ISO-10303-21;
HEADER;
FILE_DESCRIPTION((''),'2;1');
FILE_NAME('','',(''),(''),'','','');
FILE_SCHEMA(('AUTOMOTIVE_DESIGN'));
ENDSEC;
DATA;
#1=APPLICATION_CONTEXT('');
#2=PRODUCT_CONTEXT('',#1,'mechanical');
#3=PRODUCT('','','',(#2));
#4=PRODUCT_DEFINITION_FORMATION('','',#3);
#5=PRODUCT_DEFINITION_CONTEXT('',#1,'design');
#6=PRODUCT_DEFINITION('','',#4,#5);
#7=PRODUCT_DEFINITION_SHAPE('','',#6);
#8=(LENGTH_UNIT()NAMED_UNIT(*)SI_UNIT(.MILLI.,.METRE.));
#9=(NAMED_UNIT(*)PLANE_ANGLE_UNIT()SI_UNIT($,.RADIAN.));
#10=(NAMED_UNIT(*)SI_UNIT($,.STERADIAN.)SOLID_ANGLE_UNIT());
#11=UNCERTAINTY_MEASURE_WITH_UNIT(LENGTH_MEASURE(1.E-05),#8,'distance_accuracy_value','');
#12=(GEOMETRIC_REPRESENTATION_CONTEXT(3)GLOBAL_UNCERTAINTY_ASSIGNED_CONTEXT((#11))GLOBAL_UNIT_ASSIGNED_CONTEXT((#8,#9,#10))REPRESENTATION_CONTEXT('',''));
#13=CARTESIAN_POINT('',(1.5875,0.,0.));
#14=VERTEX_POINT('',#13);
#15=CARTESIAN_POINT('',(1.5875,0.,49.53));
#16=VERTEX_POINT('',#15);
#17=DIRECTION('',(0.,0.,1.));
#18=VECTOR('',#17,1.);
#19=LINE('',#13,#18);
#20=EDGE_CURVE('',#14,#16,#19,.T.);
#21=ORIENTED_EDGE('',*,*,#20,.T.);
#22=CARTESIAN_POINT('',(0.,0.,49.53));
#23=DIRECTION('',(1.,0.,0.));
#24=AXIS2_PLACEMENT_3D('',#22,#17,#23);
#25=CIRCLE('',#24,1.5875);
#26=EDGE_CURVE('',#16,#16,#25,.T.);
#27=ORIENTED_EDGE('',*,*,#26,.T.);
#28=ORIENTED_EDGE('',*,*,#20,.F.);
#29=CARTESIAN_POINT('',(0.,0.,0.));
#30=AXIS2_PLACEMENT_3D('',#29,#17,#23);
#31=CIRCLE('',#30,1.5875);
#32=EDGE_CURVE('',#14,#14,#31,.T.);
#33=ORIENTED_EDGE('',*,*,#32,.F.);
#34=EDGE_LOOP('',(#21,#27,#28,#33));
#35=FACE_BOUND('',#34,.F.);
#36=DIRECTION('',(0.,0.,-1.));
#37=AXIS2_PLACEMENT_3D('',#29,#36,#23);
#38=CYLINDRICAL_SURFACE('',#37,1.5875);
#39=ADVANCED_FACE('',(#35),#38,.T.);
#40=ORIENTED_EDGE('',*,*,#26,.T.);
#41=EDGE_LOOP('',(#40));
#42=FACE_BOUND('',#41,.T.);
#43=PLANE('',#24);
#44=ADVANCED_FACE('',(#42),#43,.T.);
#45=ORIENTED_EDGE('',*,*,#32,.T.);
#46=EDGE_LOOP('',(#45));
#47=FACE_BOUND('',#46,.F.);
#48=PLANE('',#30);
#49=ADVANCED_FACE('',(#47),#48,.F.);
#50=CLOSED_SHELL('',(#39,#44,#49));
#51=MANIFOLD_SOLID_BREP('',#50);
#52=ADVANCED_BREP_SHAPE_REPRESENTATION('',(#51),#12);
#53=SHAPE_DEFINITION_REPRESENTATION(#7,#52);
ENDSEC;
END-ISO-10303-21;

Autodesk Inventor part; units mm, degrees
ref_plane "YZ Plane" through (0, 0, 0) normal (1, 0, 0) x (0, 1, 0)
ref_plane "XZ Plane" through (0, 0, 0) normal (0, 1, 0) x (-1, 0, 0)
ref_plane "XY Plane" through (0, 0, 0) normal (0, 0, 1) x (1, 0, 0)
sketch "Sketch1" plane through (0, 0, 0) normal (0, 0, 1) x (1, 0, 0)
  circle A0 centre (0, 0) radius 1.5875
  dimension "d0" = 3.175
extrude "Extrusion1" add sketch "Sketch1" along normal blind 49.53
properties part number "pushSwitchRod" material "Steel, Carbon"
